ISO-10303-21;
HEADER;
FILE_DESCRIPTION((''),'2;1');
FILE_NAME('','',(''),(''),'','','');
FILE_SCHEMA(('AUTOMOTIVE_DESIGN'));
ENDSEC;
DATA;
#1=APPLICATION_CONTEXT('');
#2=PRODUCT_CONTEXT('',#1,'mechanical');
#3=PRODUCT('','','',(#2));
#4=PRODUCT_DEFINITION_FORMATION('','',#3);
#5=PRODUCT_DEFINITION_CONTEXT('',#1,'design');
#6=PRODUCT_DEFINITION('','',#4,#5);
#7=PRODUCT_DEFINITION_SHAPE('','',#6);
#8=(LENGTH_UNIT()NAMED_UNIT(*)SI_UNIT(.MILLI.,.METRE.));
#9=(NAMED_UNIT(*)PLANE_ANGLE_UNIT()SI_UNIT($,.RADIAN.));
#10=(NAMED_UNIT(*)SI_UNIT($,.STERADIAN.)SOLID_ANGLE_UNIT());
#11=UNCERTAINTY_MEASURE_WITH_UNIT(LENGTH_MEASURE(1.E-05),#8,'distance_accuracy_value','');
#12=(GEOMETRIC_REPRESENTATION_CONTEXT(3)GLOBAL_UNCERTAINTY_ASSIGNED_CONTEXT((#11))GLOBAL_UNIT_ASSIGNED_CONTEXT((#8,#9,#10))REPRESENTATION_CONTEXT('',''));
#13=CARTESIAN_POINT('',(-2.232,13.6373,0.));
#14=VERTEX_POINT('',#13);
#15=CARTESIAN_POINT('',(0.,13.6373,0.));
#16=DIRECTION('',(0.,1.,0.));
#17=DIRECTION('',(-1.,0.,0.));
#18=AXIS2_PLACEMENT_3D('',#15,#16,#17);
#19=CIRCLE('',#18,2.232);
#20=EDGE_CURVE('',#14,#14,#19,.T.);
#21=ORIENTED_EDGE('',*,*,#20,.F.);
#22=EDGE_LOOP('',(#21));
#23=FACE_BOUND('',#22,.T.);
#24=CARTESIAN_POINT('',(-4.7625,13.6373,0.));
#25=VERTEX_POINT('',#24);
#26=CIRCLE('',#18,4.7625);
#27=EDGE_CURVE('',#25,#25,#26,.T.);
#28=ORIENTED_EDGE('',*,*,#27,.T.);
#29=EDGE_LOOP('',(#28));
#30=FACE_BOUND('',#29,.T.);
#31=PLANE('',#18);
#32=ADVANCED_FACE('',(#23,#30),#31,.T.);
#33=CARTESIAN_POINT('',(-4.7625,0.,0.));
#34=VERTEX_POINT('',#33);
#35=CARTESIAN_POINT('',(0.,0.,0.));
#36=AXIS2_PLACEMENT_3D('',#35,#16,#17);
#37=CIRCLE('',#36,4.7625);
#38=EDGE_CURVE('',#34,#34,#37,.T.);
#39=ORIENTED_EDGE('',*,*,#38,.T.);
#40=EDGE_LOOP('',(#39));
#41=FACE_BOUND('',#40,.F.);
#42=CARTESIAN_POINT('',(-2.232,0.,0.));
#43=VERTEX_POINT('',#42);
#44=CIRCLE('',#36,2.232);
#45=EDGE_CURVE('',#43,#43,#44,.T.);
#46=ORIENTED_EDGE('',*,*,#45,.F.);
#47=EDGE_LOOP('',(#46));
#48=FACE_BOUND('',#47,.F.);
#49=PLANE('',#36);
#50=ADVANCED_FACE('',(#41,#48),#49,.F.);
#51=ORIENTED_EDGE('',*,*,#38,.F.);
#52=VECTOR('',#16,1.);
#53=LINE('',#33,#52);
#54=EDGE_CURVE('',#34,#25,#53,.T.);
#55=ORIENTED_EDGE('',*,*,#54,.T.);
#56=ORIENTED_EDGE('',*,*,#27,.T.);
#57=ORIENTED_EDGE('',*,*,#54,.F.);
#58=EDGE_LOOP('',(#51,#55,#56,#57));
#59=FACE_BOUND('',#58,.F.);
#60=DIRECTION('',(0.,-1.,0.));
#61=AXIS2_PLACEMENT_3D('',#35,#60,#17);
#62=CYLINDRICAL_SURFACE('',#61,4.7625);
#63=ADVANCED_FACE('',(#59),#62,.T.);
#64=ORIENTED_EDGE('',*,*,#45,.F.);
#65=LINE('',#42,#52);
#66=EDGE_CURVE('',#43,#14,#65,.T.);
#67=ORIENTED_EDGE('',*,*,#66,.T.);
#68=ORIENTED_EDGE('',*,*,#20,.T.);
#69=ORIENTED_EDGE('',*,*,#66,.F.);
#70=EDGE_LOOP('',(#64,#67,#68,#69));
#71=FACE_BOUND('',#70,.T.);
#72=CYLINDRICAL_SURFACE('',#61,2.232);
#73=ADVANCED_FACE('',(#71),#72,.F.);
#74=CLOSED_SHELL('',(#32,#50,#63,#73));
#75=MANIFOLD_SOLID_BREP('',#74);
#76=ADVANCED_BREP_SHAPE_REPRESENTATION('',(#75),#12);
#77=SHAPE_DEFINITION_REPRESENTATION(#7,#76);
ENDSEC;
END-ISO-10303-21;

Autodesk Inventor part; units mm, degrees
ref_plane "YZ Plane" through (0, 0, 0) normal (1, 0, 0) x (0, 1, 0)
ref_plane "XZ Plane" through (0, 0, 0) normal (0, 1, 0) x (-1, 0, 0)
ref_plane "XY Plane" through (0, 0, 0) normal (0, 0, 1) x (1, 0, 0)
sketch "Sketch1" plane through (0, 0, 0) normal (0, 1, 0) x (-1, 0, 0)
  circle A0 centre (0, 0) radius 2.232
  circle A1 centre (0, 0) radius 4.7625
  dimension "d0" = 4.464
  dimension "d2" = 9.525
extrude "Extrusion1" add sketch "Sketch1" along normal blind 13.6373
properties part number "spacer"
